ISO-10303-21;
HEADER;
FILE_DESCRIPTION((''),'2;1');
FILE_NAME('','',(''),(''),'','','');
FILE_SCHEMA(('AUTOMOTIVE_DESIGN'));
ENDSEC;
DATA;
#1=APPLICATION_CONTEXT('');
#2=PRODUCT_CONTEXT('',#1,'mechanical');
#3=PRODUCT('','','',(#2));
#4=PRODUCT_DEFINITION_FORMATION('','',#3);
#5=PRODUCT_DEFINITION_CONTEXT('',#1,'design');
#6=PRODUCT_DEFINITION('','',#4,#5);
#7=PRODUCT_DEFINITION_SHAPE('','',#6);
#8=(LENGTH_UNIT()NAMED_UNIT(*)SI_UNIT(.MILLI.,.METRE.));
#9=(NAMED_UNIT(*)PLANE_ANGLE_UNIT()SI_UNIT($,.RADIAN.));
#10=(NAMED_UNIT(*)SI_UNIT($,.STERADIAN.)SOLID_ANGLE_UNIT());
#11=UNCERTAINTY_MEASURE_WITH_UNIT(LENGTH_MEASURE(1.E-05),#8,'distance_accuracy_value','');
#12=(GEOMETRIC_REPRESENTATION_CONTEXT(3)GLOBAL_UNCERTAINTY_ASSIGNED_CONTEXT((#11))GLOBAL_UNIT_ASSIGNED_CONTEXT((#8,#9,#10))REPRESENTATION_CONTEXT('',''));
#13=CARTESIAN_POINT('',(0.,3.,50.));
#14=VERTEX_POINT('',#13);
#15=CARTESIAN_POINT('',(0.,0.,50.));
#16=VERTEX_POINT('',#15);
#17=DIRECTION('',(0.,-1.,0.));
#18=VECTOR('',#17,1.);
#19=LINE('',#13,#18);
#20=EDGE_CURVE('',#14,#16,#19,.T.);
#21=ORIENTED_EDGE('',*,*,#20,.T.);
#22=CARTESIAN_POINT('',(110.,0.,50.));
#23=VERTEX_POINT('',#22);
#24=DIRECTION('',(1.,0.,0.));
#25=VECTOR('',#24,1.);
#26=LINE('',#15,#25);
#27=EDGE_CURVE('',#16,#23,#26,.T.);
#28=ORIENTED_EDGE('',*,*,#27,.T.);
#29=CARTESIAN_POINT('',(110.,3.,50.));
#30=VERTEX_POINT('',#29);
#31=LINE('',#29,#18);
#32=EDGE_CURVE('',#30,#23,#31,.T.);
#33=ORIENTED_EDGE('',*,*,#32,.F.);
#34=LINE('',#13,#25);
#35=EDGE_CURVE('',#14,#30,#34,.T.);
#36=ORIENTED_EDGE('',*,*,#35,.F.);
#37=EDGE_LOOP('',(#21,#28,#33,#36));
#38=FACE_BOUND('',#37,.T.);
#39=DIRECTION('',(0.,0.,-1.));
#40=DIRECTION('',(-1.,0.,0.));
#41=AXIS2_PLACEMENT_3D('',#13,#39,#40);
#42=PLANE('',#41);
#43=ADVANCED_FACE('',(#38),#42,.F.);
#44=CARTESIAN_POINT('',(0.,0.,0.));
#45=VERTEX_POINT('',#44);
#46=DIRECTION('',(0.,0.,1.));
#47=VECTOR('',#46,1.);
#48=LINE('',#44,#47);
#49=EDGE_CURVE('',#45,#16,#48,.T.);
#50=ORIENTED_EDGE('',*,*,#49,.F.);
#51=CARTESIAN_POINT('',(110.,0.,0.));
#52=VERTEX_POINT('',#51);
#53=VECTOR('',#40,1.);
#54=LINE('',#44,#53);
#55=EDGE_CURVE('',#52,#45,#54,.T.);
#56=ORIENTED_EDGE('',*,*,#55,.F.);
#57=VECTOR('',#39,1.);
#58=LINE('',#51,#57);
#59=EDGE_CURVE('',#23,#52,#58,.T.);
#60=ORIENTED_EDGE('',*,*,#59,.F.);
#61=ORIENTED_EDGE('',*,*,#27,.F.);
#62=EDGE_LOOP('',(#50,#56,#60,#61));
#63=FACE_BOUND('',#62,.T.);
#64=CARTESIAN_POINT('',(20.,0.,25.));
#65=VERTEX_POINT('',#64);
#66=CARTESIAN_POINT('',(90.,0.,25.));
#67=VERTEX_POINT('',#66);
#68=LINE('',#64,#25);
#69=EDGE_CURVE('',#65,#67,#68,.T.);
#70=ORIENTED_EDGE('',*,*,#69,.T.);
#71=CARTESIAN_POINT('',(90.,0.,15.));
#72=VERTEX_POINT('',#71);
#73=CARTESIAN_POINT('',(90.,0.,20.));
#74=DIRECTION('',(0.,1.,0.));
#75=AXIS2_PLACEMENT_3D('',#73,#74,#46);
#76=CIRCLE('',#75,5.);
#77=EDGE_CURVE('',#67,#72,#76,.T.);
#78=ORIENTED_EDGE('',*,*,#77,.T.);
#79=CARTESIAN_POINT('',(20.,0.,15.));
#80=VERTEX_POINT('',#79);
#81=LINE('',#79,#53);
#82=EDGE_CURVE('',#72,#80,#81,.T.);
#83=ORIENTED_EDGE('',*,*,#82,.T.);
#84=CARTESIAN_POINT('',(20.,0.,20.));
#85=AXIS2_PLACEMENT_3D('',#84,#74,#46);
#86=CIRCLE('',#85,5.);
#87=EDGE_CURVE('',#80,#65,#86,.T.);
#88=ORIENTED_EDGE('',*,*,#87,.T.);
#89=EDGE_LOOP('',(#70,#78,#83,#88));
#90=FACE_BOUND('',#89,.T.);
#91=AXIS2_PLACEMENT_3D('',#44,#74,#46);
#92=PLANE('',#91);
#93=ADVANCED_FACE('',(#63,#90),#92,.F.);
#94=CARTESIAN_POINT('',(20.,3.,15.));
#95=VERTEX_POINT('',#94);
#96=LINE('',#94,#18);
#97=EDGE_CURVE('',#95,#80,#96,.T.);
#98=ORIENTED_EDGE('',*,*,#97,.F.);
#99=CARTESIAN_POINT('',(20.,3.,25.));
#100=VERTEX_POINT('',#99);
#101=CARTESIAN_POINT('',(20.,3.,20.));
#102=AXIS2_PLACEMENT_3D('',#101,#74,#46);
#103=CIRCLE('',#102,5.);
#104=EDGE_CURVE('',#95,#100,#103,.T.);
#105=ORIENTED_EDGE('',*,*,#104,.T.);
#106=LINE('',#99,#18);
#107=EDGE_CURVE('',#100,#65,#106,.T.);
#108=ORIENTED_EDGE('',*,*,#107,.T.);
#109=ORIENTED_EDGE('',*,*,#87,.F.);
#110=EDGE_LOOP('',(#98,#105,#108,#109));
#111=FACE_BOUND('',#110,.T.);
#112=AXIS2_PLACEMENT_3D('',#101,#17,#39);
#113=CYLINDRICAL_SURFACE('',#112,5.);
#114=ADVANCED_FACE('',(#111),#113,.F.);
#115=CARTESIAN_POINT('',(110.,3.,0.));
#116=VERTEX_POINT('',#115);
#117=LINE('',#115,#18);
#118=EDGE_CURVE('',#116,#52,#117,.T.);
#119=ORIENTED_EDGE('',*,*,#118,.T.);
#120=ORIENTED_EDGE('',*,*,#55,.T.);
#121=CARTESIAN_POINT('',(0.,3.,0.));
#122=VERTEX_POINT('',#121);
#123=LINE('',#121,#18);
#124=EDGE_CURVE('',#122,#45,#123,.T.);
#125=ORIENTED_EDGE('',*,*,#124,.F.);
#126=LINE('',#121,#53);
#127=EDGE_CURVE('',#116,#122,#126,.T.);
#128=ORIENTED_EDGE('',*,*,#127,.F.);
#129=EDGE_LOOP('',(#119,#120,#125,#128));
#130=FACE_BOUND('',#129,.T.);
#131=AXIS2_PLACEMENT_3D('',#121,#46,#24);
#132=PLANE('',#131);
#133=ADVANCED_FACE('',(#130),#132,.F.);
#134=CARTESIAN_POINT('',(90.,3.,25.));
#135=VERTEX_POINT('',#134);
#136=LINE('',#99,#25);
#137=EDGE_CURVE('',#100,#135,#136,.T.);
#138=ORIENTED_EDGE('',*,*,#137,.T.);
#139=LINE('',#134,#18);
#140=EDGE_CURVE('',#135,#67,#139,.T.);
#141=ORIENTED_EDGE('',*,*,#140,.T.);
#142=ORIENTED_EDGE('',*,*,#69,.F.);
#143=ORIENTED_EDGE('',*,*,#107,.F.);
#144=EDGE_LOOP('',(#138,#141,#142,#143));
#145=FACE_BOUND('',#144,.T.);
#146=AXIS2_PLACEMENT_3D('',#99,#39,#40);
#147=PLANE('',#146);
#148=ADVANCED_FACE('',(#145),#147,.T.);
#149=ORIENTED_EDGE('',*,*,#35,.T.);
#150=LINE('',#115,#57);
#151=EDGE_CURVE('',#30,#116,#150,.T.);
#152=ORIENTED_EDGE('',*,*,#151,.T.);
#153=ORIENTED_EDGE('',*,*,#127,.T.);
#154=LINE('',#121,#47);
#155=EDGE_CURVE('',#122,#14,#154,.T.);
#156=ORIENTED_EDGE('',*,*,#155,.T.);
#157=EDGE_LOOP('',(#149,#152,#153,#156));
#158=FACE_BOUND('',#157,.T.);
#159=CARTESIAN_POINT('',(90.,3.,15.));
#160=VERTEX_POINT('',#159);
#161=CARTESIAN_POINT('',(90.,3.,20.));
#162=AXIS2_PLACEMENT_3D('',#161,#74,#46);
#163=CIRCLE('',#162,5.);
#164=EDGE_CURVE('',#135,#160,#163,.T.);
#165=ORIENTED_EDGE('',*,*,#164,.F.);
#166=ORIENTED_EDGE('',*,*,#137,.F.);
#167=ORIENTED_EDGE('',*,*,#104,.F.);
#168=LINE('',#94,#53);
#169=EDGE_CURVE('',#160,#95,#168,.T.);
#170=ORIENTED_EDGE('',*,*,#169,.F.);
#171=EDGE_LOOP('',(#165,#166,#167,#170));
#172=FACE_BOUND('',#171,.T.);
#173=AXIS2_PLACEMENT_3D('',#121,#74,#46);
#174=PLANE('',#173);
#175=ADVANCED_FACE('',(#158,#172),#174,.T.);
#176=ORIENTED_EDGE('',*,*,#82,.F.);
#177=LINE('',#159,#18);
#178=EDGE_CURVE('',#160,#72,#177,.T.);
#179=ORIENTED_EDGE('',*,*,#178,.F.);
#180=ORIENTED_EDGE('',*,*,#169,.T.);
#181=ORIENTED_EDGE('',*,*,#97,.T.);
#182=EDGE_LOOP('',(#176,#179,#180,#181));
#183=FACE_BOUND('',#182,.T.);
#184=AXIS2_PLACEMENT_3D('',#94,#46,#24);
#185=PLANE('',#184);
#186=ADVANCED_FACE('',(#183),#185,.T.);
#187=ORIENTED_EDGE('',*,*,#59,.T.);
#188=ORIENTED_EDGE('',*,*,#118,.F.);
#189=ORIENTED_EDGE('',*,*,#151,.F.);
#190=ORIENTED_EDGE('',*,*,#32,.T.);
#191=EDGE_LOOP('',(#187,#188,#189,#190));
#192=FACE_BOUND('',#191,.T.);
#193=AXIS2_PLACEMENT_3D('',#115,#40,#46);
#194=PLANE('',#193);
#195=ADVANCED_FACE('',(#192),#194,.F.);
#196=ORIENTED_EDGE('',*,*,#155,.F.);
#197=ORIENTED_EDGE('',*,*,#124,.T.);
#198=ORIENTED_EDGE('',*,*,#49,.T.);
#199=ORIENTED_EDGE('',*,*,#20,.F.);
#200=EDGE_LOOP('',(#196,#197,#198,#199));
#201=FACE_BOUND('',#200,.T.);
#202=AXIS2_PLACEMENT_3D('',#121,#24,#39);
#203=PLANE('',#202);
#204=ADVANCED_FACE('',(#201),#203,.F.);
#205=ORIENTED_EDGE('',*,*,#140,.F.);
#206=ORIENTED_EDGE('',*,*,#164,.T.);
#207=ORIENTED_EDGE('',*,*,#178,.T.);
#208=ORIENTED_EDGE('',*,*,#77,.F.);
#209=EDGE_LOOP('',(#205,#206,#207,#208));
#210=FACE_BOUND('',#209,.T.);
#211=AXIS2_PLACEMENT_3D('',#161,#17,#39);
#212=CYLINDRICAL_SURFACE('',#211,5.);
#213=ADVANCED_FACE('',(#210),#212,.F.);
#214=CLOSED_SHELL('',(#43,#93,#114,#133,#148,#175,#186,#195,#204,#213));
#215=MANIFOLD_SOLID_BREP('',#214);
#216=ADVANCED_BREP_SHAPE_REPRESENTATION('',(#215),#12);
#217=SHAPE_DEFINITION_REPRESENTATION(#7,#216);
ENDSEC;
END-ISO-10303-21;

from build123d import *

# Parameters (mm, degrees)
IZIM1_W                     = 110
IZIM1_H                     = 50
Y_KSEKLIK_EKSTR_ZYON1_DEPTH = 3


with BuildPart() as part:
    # Çizim1 → Yükseklik-Ekstrüzyon1 (new body)
    with BuildSketch(Plane(origin=(0, 0, 0), x_dir=(1, 0, 0), z_dir=(0, 1, 0))):
        with Locations((55, -25)):
            Rectangle(IZIM1_W, IZIM1_H)
        with BuildLine():
            Line((20, -15), (90, -15))
            ThreePointArc((90, -15), (95, -20), (90, -25))
            Line((90, -25), (20, -25))
            ThreePointArc((20, -25), (15, -20), (20, -15))
        make_face(mode=Mode.SUBTRACT)
    extrude(amount=Y_KSEKLIK_EKSTR_ZYON1_DEPTH)


solid = part.part
